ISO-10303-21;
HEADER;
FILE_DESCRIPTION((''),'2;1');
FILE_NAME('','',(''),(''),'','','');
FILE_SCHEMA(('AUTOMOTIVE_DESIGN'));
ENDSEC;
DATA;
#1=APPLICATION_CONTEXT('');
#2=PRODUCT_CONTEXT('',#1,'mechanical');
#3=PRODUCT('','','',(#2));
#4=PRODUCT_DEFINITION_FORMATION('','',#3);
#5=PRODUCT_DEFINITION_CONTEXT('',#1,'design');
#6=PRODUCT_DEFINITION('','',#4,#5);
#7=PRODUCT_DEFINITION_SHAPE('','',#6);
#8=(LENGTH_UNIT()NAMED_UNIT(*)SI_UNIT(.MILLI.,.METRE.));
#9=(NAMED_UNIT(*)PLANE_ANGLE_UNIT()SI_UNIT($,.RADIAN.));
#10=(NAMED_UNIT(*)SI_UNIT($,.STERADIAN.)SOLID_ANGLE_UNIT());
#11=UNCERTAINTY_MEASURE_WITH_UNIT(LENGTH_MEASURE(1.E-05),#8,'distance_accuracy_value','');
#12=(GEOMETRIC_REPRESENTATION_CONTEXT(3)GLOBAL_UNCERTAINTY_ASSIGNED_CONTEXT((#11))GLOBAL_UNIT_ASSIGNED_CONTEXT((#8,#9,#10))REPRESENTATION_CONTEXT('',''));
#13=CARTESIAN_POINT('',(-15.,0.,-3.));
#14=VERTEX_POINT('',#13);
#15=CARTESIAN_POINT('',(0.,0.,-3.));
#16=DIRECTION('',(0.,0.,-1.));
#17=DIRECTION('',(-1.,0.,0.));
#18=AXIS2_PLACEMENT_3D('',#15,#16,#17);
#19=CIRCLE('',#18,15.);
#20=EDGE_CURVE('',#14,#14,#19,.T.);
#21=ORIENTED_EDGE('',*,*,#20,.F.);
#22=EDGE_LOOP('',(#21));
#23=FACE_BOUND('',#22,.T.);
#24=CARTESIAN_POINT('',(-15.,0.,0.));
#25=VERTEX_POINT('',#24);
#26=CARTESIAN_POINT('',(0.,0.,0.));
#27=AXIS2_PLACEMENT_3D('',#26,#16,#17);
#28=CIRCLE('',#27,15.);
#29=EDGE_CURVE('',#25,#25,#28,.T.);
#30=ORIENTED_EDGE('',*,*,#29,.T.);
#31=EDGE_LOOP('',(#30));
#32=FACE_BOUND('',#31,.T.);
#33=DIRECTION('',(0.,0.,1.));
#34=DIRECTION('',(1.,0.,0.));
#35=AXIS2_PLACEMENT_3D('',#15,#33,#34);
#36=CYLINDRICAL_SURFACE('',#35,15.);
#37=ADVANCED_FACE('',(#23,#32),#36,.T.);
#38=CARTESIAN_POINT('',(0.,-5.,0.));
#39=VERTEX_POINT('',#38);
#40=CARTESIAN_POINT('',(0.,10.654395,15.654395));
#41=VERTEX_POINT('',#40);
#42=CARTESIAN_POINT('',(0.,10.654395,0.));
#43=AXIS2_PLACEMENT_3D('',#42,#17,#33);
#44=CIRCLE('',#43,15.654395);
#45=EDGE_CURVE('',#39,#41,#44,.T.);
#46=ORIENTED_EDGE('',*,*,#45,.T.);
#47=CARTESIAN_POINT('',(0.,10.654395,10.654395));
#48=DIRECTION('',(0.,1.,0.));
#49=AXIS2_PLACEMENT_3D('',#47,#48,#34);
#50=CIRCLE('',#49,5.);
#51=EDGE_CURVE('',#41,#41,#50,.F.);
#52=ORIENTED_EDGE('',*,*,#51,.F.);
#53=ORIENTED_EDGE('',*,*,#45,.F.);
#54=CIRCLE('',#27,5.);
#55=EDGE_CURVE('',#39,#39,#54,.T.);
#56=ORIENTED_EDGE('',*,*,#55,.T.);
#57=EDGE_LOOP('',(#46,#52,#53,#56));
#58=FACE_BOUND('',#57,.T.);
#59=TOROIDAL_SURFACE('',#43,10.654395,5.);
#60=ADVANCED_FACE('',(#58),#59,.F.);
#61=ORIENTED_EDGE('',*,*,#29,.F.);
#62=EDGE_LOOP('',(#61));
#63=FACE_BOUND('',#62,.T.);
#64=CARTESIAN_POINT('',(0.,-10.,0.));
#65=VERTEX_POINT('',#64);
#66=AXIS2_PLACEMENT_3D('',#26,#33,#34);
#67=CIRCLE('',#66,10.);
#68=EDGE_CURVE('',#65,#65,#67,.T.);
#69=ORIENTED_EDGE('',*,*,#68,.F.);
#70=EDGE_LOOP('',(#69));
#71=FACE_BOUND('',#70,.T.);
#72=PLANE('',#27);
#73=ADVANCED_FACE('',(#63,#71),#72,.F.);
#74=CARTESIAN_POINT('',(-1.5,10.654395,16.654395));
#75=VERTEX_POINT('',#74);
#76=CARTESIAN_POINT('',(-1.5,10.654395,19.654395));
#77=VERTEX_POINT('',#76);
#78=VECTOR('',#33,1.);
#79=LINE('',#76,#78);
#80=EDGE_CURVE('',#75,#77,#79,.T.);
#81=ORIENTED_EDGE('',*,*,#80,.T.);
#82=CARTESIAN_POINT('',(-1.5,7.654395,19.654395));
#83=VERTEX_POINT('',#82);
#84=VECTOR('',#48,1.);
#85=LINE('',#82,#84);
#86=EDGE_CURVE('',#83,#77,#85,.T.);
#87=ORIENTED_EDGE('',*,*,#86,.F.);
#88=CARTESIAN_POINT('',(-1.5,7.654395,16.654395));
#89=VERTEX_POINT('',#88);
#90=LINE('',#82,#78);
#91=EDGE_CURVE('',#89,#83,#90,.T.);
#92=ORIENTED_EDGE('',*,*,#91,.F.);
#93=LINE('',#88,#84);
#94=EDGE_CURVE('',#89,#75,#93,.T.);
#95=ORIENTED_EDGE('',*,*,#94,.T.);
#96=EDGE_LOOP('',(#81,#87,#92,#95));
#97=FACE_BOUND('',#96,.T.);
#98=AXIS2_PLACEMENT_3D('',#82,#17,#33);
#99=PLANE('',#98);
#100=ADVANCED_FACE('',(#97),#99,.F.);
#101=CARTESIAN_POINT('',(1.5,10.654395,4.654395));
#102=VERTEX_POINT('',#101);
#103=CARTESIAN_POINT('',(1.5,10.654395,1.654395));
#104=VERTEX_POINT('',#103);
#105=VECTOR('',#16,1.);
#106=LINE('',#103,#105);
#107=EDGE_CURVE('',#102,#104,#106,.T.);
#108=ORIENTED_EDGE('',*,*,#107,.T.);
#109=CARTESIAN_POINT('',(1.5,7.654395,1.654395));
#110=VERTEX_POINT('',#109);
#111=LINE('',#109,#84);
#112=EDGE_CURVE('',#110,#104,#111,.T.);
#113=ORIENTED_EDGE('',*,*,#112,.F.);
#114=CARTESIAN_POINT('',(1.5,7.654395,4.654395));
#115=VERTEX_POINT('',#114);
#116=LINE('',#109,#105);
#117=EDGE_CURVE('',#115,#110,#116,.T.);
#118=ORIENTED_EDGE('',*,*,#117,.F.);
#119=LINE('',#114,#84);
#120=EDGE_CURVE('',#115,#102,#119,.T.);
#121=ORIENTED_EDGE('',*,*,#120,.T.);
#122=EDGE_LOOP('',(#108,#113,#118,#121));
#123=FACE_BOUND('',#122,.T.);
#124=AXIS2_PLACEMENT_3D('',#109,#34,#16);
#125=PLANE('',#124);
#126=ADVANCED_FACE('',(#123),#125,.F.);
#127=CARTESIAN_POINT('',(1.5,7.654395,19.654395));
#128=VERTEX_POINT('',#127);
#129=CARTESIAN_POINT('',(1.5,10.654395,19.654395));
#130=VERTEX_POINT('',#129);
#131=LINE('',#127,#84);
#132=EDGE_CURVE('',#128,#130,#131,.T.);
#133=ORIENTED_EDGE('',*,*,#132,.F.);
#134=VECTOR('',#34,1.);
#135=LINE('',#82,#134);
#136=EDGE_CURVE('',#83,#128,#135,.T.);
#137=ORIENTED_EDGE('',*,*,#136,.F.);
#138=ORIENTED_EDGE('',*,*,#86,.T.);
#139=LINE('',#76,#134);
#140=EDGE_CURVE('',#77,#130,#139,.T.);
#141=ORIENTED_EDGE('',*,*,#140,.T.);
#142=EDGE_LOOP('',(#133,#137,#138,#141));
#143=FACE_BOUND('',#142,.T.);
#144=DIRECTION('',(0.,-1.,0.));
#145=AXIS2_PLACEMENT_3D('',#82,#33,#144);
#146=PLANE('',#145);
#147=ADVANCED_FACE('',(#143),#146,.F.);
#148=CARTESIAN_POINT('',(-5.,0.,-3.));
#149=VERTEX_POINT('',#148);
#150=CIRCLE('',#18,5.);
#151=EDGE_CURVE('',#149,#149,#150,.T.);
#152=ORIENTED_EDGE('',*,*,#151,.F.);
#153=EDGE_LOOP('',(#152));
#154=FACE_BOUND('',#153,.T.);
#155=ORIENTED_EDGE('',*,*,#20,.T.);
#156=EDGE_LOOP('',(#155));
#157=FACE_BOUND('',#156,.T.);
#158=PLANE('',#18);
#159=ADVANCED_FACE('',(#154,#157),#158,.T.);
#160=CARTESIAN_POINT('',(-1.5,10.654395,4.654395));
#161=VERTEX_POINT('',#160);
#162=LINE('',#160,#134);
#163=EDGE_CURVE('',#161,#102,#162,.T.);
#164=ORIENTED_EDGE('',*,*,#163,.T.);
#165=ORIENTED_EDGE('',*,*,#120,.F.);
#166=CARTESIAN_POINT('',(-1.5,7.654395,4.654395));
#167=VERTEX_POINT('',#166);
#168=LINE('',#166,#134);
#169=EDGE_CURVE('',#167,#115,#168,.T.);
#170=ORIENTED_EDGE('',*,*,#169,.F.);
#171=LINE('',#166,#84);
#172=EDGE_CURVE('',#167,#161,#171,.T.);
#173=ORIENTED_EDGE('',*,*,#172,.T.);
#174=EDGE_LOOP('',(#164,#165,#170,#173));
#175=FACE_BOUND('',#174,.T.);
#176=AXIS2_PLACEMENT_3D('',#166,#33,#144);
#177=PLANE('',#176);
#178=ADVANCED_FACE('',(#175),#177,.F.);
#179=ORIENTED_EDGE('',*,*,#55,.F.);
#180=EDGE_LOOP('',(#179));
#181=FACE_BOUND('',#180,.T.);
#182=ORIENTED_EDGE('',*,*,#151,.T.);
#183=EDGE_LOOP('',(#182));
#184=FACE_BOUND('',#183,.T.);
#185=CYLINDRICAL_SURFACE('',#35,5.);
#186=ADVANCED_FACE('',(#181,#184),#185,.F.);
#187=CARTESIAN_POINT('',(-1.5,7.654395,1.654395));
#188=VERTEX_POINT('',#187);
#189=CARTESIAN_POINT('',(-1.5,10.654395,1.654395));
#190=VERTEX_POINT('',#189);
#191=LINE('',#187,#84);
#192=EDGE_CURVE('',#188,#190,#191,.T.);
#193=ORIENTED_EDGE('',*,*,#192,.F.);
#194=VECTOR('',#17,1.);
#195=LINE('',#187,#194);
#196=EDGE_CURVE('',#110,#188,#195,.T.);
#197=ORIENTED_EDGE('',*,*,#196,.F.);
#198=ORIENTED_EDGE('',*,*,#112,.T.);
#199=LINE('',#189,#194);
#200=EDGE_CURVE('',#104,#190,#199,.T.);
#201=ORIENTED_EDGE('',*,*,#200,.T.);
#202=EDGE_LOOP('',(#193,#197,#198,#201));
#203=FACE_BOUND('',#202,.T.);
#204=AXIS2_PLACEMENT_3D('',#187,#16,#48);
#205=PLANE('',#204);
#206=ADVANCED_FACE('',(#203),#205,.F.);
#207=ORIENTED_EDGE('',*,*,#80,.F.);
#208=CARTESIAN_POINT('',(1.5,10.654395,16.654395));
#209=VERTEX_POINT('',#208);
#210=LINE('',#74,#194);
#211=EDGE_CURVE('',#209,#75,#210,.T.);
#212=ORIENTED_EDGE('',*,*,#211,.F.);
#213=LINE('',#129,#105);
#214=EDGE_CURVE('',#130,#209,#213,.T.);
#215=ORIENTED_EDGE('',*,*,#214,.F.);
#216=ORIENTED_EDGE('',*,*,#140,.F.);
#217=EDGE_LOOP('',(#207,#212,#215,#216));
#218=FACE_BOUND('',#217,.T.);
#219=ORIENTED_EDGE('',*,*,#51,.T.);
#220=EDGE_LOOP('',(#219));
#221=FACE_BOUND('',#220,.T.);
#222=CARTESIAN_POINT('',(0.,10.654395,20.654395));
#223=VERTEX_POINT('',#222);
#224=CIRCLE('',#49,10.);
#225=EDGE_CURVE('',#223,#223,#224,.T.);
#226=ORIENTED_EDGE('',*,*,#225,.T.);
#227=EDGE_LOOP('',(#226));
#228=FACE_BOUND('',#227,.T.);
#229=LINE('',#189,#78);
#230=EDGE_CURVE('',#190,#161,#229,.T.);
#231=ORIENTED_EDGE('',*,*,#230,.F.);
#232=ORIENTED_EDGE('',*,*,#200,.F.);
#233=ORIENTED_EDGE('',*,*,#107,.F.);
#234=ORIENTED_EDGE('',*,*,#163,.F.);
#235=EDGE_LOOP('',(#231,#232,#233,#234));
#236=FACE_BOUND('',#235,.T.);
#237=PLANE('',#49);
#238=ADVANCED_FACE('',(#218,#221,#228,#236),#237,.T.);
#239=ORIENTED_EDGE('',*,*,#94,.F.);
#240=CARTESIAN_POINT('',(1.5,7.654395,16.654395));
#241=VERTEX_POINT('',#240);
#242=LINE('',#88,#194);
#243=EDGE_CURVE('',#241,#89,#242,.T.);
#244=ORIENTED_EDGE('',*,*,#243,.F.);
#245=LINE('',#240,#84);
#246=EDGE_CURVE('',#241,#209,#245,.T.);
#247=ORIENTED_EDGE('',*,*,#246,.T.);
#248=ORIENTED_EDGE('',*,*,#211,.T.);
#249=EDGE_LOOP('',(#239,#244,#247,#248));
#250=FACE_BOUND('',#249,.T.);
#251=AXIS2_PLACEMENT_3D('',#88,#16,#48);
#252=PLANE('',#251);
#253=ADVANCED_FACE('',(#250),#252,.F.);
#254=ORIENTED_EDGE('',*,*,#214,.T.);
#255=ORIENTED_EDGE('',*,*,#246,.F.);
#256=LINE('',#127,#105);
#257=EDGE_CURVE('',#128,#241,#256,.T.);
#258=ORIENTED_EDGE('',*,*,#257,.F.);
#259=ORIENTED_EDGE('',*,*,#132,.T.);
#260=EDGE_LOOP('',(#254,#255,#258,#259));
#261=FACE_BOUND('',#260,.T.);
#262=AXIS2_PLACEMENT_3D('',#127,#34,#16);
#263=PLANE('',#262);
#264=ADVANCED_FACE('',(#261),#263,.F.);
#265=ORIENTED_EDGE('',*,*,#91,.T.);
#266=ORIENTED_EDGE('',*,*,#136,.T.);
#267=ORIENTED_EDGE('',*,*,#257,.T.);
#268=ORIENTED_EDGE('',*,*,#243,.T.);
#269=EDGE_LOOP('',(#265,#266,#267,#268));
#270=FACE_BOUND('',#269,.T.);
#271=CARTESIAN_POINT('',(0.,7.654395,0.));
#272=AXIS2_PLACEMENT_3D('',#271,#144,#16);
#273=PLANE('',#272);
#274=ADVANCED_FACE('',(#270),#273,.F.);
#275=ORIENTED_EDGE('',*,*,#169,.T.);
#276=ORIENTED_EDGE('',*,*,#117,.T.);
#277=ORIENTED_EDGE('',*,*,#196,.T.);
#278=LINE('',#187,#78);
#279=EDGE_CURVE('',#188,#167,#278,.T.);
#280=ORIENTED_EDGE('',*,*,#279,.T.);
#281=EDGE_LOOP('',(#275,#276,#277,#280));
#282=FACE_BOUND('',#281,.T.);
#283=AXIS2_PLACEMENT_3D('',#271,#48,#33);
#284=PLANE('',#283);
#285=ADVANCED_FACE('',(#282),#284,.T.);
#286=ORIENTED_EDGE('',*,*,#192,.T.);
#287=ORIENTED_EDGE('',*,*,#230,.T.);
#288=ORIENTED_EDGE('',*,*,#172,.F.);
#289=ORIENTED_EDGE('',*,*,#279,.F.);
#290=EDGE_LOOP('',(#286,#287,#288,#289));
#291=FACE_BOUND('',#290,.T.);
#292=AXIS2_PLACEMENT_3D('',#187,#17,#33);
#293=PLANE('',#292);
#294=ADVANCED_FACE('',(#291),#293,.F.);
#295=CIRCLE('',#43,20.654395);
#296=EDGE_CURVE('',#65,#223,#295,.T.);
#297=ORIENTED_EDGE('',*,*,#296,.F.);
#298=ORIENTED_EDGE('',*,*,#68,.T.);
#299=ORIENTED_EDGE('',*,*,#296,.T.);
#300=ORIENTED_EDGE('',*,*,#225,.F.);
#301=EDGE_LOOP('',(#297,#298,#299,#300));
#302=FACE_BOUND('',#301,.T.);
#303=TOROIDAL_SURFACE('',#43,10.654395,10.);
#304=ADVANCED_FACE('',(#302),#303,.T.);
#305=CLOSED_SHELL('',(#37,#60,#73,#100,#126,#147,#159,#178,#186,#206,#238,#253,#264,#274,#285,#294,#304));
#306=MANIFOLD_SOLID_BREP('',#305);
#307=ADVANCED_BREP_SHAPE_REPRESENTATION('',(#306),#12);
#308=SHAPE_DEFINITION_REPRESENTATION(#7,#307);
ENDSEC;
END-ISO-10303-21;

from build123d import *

# Parameters (mm, degrees)
SKETCH1_R           = 10
SKETCH1_R_2         = 5
SKETCH4_R           = 15
SKETCH4_R_2         = 5
BOSS_EXTRUDE1_DEPTH = 3
SKETCH5_W           = 3
SKETCH5_H           = 3
CUT_EXTRUDE1_DEPTH  = 3


with BuildPart() as part:
    # Sweep1: sweep along a path in Sketch3
    with BuildLine(Plane(origin=(0, 0, 0), x_dir=(0, 0, -1), z_dir=(1, 0, 0))) as sweep1_path:
        ThreePointArc((0, 0), (-7.533795299, 3.120600189), (-10.654395489, 10.654395489))
    # Sketch1 → Sweep1 (sweep)
    with BuildSketch(Plane.XY):
        Circle(SKETCH1_R)
        Circle(SKETCH1_R_2, mode=Mode.SUBTRACT)
    sweep(path=sweep1_path.line)

    # Sketch4 → Boss-Extrude1 (add)
    with BuildSketch(Plane(origin=(0, 0, 0), x_dir=(-1, 0, 0), z_dir=(0, 0, -1))):
        Circle(SKETCH4_R)
        Circle(SKETCH4_R_2, mode=Mode.SUBTRACT)
    extrude(amount=BOSS_EXTRUDE1_DEPTH)

    # Sketch5 → Cut-Extrude1 (cut)
    with BuildSketch(Plane(origin=(0, 10.654395489, 0), x_dir=(1, 0, 0), z_dir=(0, 1, 0))):
        with Locations((0, -3.154395489)):
            Rectangle(SKETCH5_W, SKETCH5_H)
        with Locations((0, -18.154395489)):
            Rectangle(SKETCH5_W, SKETCH5_H)
    extrude(amount=-CUT_EXTRUDE1_DEPTH, mode=Mode.SUBTRACT)


solid = part.part
